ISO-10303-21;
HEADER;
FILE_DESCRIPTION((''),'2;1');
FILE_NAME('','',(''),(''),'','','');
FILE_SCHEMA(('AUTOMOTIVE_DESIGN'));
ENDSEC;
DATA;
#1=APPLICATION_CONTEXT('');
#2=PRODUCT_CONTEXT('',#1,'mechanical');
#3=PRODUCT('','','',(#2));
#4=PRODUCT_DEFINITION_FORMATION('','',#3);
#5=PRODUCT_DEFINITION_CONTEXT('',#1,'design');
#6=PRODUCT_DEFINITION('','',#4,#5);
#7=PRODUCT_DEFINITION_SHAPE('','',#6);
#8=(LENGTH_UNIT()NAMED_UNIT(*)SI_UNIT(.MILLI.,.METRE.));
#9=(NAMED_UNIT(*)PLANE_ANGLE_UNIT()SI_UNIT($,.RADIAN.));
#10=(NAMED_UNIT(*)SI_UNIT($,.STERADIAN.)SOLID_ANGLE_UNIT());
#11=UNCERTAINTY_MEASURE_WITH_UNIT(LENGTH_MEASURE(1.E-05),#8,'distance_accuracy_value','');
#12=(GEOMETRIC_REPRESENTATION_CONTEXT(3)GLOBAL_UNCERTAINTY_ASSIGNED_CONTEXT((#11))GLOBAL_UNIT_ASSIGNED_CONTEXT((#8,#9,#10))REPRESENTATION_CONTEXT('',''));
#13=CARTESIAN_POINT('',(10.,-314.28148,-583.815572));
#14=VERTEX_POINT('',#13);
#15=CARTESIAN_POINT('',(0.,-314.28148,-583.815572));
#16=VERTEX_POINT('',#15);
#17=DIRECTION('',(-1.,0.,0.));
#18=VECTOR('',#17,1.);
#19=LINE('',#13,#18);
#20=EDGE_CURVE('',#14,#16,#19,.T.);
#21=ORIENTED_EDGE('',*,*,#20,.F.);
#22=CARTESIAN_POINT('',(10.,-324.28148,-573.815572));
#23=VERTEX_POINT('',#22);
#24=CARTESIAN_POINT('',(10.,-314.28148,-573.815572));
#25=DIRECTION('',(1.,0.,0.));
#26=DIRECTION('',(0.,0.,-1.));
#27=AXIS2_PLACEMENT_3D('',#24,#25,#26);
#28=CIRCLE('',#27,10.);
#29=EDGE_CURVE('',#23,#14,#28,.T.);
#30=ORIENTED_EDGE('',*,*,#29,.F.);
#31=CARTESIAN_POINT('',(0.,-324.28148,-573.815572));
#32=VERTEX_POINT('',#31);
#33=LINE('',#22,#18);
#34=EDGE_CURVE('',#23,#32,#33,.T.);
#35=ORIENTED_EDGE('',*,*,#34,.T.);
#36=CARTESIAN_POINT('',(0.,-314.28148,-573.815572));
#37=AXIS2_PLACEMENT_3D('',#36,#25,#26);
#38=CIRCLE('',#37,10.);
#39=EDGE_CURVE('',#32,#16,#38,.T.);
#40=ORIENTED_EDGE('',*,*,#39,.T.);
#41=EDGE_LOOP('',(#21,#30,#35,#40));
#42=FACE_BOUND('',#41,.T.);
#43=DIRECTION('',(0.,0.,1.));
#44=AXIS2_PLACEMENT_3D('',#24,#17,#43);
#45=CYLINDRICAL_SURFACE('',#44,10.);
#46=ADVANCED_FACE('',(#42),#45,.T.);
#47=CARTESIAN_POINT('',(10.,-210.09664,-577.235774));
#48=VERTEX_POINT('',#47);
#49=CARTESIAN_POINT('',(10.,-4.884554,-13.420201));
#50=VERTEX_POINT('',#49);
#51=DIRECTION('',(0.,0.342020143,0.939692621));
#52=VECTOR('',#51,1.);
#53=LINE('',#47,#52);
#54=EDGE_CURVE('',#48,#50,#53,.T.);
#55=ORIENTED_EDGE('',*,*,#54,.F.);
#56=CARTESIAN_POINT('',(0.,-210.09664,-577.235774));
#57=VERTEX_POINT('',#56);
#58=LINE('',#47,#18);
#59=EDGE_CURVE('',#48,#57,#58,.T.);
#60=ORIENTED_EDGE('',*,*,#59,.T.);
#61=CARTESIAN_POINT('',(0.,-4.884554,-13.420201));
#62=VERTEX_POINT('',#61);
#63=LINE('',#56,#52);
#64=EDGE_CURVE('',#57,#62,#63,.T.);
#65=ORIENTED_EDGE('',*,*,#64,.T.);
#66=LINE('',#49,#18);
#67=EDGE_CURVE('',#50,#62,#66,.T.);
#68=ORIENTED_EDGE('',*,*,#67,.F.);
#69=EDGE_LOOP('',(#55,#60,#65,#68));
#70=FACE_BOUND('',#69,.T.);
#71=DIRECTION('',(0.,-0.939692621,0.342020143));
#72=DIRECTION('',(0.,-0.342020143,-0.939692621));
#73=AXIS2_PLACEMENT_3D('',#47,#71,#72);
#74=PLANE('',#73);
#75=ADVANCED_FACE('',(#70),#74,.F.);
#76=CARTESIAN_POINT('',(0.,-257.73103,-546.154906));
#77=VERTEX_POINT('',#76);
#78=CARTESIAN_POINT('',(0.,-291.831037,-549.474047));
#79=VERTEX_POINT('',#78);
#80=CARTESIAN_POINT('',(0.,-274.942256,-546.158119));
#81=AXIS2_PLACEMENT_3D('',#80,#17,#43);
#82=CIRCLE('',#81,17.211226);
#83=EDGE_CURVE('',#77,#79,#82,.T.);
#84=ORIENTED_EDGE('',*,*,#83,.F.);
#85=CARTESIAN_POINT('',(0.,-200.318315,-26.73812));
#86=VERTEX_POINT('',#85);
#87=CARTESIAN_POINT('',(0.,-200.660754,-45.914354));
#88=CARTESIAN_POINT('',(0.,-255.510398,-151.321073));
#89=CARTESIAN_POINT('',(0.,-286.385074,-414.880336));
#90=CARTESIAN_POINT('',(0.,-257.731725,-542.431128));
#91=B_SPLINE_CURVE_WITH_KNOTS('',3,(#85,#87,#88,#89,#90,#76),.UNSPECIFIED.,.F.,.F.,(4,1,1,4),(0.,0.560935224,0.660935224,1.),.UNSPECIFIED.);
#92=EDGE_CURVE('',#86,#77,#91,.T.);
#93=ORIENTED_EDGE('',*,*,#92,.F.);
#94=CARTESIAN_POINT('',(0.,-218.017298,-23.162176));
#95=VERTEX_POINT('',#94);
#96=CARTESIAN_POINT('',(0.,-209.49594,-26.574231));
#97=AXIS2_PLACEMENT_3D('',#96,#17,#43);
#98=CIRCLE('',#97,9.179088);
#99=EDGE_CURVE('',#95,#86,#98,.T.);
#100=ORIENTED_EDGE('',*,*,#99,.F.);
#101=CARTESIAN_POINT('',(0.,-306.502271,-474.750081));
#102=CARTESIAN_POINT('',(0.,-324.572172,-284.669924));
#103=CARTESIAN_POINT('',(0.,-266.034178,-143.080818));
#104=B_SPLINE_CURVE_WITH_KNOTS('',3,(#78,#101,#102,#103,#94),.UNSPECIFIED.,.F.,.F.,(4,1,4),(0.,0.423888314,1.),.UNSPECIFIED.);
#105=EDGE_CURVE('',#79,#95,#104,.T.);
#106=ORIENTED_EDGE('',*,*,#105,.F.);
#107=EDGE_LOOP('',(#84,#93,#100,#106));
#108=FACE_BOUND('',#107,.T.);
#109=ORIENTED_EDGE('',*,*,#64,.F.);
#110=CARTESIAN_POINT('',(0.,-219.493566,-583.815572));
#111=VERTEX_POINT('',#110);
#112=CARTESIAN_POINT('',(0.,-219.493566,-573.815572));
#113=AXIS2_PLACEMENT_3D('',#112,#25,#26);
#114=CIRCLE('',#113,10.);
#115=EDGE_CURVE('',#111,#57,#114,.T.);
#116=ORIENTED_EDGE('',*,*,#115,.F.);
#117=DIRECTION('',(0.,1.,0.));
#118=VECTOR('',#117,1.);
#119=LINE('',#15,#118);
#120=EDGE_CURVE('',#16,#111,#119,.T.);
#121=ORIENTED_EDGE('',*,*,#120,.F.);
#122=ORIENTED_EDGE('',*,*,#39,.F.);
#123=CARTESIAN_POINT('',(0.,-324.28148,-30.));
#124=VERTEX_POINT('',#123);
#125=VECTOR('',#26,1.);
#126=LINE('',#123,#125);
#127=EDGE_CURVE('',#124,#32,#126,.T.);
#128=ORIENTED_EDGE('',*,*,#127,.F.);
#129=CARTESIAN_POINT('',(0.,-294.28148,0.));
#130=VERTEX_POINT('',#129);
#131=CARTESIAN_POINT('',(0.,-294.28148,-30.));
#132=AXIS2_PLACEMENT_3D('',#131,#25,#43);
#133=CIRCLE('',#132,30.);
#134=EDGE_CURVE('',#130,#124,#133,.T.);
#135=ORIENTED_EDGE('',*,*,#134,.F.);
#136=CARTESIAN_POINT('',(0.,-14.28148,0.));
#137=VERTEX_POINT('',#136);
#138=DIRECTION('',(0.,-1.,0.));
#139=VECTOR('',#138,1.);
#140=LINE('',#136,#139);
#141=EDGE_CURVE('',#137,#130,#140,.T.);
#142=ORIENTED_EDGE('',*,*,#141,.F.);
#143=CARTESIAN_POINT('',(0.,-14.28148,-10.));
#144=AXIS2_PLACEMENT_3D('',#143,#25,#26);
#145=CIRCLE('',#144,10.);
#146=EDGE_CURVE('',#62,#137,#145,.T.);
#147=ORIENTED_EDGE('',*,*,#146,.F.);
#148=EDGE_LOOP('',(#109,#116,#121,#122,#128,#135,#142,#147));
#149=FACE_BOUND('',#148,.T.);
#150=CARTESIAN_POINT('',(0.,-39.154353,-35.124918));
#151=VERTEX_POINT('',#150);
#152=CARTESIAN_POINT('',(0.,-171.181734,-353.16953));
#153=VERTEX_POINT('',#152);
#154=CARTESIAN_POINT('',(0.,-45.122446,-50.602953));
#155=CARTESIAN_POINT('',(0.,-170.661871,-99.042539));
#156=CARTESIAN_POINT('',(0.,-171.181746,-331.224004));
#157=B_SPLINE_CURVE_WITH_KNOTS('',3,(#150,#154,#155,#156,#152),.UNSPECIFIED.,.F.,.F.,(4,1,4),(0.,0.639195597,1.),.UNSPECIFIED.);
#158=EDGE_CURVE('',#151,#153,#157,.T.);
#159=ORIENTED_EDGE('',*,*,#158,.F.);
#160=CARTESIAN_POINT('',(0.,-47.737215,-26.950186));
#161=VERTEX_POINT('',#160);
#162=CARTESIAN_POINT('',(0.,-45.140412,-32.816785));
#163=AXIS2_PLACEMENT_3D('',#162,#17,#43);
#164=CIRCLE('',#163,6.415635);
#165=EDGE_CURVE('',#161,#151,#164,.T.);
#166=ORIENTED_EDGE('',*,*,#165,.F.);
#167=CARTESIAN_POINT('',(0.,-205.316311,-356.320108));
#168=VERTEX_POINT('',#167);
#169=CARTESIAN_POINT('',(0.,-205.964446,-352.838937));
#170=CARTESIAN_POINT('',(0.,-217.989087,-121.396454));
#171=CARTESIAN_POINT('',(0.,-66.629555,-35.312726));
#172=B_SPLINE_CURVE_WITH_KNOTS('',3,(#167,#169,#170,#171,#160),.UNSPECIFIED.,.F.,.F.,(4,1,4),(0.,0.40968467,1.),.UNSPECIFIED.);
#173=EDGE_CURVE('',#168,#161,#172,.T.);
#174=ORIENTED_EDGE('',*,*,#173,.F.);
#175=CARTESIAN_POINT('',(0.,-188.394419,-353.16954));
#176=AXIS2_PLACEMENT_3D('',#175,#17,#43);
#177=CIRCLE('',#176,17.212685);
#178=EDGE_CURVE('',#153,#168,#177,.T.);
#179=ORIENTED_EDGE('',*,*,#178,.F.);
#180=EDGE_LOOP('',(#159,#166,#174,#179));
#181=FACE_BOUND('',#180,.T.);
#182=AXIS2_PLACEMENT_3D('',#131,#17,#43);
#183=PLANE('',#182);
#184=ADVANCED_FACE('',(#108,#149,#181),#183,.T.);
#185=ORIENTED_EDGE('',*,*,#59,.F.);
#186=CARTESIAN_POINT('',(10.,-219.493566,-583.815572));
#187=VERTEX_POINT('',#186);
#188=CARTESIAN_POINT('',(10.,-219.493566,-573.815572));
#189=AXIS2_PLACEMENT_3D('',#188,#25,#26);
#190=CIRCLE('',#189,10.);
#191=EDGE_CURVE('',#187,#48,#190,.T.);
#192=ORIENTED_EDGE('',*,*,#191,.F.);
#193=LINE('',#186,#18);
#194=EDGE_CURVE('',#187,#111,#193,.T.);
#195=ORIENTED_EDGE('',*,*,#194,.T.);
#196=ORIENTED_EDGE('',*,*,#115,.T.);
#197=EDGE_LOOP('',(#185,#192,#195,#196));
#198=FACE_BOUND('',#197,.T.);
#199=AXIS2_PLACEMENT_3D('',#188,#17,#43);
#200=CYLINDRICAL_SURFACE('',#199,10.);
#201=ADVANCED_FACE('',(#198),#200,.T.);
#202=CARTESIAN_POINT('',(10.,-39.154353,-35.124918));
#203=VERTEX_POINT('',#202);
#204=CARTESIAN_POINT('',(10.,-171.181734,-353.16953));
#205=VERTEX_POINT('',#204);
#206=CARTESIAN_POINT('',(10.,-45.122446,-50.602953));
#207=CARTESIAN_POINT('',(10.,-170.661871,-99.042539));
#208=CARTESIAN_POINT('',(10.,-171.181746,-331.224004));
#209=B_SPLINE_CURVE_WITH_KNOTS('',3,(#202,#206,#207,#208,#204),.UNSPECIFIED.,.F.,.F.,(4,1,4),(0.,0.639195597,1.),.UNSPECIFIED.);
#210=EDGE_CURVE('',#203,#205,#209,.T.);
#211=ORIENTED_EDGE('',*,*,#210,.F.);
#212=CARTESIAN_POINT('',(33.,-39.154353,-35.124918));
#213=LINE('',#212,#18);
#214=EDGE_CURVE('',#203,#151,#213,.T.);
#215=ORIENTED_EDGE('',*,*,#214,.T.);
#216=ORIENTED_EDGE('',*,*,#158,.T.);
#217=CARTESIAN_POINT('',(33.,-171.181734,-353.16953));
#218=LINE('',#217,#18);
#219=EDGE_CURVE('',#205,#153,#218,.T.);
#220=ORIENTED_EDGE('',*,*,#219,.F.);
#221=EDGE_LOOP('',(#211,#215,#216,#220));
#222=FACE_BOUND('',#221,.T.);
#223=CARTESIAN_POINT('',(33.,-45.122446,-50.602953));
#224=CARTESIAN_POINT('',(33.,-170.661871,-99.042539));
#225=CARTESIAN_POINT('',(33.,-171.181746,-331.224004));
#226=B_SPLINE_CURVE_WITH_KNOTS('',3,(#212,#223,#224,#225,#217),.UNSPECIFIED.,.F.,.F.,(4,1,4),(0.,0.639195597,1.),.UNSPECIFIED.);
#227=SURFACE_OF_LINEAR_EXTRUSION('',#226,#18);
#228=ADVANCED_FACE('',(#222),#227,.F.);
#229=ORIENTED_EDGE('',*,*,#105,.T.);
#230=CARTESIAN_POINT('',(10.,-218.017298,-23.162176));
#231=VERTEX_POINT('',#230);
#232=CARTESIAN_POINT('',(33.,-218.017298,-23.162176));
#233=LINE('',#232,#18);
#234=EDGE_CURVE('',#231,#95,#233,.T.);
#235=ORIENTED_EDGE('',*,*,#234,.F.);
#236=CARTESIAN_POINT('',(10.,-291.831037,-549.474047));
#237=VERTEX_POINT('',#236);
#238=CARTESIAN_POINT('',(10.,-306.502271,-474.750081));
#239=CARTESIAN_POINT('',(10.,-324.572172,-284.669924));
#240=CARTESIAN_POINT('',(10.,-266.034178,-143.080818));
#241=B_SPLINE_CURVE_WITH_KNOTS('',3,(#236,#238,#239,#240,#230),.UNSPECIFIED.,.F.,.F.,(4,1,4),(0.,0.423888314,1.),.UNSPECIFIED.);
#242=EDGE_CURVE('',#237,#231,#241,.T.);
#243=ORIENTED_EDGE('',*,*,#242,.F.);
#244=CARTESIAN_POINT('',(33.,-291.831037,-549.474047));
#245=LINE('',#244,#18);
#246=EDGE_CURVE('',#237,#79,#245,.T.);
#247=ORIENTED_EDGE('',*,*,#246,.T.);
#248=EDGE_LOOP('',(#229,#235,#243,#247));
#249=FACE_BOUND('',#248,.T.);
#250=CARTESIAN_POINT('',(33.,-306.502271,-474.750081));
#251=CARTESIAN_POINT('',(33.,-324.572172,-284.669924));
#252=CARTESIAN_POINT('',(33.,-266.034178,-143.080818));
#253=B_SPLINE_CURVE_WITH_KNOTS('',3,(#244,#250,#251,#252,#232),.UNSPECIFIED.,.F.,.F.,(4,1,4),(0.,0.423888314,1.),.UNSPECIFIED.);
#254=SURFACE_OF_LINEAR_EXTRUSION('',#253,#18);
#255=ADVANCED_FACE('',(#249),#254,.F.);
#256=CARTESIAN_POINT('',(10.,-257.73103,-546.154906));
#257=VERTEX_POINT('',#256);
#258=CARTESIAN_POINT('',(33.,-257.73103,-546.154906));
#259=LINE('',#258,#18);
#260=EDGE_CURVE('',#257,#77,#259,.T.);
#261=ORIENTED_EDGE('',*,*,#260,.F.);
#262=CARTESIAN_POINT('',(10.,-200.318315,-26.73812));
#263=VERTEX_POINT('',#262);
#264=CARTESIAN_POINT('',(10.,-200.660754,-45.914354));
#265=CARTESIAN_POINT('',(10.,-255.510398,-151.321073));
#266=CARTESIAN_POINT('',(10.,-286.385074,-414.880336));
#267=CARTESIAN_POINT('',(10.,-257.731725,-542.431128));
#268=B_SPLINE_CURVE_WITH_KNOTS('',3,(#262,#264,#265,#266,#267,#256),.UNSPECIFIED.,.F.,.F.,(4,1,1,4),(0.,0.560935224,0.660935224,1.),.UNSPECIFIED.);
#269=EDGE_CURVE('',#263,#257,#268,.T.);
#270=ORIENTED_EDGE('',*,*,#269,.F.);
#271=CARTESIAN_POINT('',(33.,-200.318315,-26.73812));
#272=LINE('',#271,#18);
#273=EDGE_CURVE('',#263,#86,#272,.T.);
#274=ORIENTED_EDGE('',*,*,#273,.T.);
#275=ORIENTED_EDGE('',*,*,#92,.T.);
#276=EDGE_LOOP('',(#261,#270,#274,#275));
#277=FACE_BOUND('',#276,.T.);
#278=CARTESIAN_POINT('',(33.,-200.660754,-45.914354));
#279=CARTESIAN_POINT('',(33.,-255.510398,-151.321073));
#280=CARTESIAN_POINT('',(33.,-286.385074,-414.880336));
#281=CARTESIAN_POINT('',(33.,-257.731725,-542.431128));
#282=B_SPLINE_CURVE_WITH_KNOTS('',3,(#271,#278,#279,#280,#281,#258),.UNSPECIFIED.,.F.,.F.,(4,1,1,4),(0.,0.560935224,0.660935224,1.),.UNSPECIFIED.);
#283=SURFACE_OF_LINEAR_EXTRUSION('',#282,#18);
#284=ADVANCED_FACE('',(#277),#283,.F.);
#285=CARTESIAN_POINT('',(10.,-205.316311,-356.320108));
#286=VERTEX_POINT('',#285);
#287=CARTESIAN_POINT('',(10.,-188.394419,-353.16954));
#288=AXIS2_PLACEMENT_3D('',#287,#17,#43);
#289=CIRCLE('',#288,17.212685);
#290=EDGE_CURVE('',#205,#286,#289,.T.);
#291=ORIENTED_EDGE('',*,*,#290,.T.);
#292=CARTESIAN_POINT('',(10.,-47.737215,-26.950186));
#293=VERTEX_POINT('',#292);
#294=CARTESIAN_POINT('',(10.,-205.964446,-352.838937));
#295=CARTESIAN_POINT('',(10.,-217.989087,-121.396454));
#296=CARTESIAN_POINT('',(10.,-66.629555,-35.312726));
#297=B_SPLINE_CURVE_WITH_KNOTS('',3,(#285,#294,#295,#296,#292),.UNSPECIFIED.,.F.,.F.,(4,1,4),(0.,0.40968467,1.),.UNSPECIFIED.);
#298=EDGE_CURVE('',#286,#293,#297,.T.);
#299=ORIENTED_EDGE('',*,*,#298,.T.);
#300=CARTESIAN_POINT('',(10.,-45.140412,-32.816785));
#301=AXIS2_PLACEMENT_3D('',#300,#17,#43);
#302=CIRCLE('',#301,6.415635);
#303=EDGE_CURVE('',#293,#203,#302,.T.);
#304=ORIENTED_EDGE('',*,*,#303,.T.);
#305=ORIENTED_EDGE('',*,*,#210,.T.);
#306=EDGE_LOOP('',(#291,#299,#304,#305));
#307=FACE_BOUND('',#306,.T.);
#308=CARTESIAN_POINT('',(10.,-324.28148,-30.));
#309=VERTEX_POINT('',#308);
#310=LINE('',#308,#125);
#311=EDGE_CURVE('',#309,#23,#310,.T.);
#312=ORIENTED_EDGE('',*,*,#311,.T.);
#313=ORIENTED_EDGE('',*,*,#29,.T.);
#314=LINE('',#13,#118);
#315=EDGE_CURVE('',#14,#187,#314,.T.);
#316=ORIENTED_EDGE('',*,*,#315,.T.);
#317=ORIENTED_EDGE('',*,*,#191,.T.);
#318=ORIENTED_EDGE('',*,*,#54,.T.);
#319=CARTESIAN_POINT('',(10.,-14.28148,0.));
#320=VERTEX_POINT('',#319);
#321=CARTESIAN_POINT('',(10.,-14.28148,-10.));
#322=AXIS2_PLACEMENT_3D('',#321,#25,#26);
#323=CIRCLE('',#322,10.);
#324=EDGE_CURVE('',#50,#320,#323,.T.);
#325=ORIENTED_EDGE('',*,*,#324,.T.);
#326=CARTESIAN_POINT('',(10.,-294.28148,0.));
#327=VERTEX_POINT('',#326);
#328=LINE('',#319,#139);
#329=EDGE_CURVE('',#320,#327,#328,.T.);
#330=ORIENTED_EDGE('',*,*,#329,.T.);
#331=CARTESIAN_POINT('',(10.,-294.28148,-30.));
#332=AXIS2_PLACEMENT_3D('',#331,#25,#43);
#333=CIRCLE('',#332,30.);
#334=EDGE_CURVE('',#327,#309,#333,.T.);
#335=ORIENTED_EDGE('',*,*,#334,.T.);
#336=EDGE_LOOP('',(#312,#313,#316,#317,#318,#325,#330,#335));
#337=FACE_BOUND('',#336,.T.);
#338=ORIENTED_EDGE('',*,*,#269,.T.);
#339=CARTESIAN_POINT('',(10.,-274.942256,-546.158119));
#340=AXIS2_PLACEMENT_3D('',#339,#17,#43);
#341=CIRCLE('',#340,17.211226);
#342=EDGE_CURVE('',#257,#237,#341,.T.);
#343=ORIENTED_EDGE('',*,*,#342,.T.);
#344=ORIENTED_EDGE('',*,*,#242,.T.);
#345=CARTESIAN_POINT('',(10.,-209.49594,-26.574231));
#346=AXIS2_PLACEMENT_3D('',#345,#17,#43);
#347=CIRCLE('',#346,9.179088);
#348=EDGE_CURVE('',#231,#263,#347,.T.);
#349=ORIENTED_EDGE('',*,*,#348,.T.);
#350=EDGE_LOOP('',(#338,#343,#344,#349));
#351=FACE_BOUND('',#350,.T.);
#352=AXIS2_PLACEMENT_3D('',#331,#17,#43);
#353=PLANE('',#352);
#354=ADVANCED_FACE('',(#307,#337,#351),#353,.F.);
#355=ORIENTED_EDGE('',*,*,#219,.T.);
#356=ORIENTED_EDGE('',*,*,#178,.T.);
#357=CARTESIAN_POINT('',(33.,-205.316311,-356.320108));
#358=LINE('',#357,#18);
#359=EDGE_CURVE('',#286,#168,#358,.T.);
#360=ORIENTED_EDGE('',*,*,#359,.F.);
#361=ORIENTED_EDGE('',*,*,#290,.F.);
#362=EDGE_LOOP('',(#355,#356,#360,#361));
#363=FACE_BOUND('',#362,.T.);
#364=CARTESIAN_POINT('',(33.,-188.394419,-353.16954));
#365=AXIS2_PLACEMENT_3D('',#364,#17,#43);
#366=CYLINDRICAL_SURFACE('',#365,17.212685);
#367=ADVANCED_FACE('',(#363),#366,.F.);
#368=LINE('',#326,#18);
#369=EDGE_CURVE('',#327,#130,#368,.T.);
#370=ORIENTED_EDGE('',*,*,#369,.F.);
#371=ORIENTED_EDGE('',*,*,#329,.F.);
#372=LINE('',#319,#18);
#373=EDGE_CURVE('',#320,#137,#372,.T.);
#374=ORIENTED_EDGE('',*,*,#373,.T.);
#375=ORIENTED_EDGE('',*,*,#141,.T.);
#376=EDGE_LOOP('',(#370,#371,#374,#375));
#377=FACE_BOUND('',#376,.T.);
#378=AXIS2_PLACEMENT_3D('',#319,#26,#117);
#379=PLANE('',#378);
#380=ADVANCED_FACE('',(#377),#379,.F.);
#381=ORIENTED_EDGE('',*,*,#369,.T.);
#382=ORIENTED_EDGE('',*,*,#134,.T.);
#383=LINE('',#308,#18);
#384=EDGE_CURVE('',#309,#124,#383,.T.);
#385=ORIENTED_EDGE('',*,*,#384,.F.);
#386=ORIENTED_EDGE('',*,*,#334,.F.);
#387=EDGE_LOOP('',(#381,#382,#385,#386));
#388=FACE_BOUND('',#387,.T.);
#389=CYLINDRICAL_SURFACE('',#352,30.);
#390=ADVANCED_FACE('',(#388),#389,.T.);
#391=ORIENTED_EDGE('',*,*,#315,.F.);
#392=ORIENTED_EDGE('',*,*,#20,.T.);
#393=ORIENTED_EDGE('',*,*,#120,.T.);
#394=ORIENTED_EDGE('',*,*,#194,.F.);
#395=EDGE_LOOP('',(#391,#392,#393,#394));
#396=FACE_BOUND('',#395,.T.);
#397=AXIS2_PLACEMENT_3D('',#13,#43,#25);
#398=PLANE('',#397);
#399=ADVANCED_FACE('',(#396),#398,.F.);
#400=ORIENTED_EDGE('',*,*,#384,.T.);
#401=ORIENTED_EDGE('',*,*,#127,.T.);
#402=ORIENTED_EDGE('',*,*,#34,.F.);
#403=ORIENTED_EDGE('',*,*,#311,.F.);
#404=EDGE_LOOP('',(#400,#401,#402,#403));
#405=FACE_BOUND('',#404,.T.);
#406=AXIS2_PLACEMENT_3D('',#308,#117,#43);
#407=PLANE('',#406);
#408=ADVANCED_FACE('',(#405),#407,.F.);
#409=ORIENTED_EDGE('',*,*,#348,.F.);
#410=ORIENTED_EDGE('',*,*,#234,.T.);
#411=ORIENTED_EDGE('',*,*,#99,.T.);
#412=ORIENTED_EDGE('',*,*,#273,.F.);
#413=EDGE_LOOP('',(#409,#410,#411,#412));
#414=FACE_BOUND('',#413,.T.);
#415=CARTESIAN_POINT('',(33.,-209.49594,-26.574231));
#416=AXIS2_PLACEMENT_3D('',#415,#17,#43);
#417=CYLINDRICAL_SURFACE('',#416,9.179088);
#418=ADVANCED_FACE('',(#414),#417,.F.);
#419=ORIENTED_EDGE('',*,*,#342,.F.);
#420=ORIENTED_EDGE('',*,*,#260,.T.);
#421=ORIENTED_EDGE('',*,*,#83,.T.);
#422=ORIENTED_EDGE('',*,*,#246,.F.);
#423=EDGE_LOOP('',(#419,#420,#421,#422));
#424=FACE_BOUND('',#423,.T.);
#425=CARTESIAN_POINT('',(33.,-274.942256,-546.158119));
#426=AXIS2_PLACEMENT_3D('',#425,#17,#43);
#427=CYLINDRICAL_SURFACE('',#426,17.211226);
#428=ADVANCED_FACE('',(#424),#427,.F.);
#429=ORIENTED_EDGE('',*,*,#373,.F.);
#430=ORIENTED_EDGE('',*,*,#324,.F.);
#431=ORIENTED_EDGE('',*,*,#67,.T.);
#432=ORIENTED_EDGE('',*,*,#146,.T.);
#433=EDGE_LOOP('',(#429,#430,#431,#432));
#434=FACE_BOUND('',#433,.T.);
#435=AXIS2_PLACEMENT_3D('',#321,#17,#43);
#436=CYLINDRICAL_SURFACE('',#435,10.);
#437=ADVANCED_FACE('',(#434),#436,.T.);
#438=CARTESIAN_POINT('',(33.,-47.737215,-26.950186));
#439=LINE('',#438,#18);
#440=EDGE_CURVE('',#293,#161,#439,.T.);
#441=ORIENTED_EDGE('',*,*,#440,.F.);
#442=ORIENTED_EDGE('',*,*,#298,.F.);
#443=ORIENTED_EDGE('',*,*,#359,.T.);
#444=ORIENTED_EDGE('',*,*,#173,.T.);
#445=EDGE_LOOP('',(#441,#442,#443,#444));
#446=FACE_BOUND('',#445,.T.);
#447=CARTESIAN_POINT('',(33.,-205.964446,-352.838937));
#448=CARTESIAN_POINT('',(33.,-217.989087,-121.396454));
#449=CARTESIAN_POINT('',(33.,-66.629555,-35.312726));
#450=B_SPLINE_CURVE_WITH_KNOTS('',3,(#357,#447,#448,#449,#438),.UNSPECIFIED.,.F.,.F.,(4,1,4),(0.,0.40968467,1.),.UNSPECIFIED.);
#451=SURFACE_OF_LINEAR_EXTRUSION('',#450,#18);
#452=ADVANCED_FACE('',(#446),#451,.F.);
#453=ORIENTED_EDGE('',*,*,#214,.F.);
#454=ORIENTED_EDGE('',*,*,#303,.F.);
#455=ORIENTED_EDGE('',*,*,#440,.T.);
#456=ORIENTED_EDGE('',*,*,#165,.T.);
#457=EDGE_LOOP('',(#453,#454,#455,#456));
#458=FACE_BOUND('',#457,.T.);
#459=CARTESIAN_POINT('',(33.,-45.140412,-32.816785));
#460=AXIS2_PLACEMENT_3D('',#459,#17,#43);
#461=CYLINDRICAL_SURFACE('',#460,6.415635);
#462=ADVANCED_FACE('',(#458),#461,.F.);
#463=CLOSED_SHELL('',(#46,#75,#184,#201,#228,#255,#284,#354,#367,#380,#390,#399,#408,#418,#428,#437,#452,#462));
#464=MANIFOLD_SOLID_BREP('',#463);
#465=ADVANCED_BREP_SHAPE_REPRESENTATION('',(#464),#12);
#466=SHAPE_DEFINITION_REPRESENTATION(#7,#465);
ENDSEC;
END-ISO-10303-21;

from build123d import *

# Parameters (mm, degrees)
BOSS_EXTRUDE1_DEPTH = 10
CUT_EXTRUDE3_DEPTH  = 33


with BuildPart() as part:
    # Sketch1 → Boss-Extrude1 (new body)
    with BuildSketch(Plane(origin=(0, 0, 0), x_dir=(0, 0, -1), z_dir=(1, 0, 0))):
        with BuildLine():
            Line((0, -14.281480067), (0, -294.281480067))
            ThreePointArc((0, -294.281480067), (8.786796564, -315.494683503), (30, -324.281480067))
            Line((30, -324.281480067), (573.815572472, -324.281480067))
            ThreePointArc((573.815572472, -324.281480067), (580.886640283, -321.352547879), (583.815572472, -314.281480067))
            Line((583.815572472, -314.281480067), (583.815572472, -219.493566063))
            ThreePointArc((583.815572472, -219.493566063), (582.007092914, -213.757801699), (577.235773905, -210.096639855))
            Line((577.235773905, -210.096639855), (13.420201433, -4.88455386))
            ThreePointArc((13.420201433, -4.88455386), (4.264235636, -6.089959625), (0, -14.281480067))
        make_face()
    extrude(amount=BOSS_EXTRUDE1_DEPTH)

    # Sketch3 → Cut-Extrude3 (cut)
    with BuildSketch(Plane.ZY):
        with BuildLine():
            ThreePointArc((-23.162175785, -218.017297737), (-17.576945532, -207.678107035), (-26.738120061, -200.318314743))
            add(Edge.make_bspline(
                [(-26.738120061, -200.318314743), (-45.914354434, -200.660753587), (-151.32107334, -255.510398156), (-414.880335601, -286.385074175), (-542.431128002, -257.731725159), (-546.154906269, -257.731029979)],
                knots=[0, 0, 0, 0, 0.560935224, 0.660935224, 1, 1, 1, 1], degree=3))
            ThreePointArc((-546.154906269, -257.731029979), (-563.288388976, -273.27487263), (-549.474047026, -291.831036849))
            add(Edge.make_bspline(
                [(-549.474047026, -291.831036849), (-474.750080899, -306.502271197), (-284.669923623, -324.572171749), (-143.080818041, -266.034178467), (-23.162175785, -218.017297737)],
                knots=[0, 0, 0, 0, 0.423888314, 1, 1, 1, 1], degree=3))
        make_face()
        with BuildLine():
            ThreePointArc((-26.950185671, -47.737214996), (-28.17113687, -40.715672082), (-35.124917897, -39.154353359))
            add(Edge.make_bspline(
                [(-35.124917897, -39.154353359), (-50.602952828, -45.122445935), (-99.042539, -170.661871263), (-331.224003862, -171.181746235), (-353.169530365, -171.181734297)],
                knots=[0, 0, 0, 0, 0.639195597, 1, 1, 1, 1], degree=3))
            ThreePointArc((-353.169530365, -171.181734297), (-370.309371751, -186.812434708), (-356.32010769, -205.316311305))
            add(Edge.make_bspline(
                [(-356.32010769, -205.316311305), (-352.838937223, -205.964445921), (-121.396454164, -217.989087479), (-35.312726243, -66.629555086), (-26.950185671, -47.737214996)],
                knots=[0, 0, 0, 0, 0.40968467, 1, 1, 1, 1], degree=3))
        make_face()
    extrude(amount=-CUT_EXTRUDE3_DEPTH, mode=Mode.SUBTRACT)


solid = part.part
